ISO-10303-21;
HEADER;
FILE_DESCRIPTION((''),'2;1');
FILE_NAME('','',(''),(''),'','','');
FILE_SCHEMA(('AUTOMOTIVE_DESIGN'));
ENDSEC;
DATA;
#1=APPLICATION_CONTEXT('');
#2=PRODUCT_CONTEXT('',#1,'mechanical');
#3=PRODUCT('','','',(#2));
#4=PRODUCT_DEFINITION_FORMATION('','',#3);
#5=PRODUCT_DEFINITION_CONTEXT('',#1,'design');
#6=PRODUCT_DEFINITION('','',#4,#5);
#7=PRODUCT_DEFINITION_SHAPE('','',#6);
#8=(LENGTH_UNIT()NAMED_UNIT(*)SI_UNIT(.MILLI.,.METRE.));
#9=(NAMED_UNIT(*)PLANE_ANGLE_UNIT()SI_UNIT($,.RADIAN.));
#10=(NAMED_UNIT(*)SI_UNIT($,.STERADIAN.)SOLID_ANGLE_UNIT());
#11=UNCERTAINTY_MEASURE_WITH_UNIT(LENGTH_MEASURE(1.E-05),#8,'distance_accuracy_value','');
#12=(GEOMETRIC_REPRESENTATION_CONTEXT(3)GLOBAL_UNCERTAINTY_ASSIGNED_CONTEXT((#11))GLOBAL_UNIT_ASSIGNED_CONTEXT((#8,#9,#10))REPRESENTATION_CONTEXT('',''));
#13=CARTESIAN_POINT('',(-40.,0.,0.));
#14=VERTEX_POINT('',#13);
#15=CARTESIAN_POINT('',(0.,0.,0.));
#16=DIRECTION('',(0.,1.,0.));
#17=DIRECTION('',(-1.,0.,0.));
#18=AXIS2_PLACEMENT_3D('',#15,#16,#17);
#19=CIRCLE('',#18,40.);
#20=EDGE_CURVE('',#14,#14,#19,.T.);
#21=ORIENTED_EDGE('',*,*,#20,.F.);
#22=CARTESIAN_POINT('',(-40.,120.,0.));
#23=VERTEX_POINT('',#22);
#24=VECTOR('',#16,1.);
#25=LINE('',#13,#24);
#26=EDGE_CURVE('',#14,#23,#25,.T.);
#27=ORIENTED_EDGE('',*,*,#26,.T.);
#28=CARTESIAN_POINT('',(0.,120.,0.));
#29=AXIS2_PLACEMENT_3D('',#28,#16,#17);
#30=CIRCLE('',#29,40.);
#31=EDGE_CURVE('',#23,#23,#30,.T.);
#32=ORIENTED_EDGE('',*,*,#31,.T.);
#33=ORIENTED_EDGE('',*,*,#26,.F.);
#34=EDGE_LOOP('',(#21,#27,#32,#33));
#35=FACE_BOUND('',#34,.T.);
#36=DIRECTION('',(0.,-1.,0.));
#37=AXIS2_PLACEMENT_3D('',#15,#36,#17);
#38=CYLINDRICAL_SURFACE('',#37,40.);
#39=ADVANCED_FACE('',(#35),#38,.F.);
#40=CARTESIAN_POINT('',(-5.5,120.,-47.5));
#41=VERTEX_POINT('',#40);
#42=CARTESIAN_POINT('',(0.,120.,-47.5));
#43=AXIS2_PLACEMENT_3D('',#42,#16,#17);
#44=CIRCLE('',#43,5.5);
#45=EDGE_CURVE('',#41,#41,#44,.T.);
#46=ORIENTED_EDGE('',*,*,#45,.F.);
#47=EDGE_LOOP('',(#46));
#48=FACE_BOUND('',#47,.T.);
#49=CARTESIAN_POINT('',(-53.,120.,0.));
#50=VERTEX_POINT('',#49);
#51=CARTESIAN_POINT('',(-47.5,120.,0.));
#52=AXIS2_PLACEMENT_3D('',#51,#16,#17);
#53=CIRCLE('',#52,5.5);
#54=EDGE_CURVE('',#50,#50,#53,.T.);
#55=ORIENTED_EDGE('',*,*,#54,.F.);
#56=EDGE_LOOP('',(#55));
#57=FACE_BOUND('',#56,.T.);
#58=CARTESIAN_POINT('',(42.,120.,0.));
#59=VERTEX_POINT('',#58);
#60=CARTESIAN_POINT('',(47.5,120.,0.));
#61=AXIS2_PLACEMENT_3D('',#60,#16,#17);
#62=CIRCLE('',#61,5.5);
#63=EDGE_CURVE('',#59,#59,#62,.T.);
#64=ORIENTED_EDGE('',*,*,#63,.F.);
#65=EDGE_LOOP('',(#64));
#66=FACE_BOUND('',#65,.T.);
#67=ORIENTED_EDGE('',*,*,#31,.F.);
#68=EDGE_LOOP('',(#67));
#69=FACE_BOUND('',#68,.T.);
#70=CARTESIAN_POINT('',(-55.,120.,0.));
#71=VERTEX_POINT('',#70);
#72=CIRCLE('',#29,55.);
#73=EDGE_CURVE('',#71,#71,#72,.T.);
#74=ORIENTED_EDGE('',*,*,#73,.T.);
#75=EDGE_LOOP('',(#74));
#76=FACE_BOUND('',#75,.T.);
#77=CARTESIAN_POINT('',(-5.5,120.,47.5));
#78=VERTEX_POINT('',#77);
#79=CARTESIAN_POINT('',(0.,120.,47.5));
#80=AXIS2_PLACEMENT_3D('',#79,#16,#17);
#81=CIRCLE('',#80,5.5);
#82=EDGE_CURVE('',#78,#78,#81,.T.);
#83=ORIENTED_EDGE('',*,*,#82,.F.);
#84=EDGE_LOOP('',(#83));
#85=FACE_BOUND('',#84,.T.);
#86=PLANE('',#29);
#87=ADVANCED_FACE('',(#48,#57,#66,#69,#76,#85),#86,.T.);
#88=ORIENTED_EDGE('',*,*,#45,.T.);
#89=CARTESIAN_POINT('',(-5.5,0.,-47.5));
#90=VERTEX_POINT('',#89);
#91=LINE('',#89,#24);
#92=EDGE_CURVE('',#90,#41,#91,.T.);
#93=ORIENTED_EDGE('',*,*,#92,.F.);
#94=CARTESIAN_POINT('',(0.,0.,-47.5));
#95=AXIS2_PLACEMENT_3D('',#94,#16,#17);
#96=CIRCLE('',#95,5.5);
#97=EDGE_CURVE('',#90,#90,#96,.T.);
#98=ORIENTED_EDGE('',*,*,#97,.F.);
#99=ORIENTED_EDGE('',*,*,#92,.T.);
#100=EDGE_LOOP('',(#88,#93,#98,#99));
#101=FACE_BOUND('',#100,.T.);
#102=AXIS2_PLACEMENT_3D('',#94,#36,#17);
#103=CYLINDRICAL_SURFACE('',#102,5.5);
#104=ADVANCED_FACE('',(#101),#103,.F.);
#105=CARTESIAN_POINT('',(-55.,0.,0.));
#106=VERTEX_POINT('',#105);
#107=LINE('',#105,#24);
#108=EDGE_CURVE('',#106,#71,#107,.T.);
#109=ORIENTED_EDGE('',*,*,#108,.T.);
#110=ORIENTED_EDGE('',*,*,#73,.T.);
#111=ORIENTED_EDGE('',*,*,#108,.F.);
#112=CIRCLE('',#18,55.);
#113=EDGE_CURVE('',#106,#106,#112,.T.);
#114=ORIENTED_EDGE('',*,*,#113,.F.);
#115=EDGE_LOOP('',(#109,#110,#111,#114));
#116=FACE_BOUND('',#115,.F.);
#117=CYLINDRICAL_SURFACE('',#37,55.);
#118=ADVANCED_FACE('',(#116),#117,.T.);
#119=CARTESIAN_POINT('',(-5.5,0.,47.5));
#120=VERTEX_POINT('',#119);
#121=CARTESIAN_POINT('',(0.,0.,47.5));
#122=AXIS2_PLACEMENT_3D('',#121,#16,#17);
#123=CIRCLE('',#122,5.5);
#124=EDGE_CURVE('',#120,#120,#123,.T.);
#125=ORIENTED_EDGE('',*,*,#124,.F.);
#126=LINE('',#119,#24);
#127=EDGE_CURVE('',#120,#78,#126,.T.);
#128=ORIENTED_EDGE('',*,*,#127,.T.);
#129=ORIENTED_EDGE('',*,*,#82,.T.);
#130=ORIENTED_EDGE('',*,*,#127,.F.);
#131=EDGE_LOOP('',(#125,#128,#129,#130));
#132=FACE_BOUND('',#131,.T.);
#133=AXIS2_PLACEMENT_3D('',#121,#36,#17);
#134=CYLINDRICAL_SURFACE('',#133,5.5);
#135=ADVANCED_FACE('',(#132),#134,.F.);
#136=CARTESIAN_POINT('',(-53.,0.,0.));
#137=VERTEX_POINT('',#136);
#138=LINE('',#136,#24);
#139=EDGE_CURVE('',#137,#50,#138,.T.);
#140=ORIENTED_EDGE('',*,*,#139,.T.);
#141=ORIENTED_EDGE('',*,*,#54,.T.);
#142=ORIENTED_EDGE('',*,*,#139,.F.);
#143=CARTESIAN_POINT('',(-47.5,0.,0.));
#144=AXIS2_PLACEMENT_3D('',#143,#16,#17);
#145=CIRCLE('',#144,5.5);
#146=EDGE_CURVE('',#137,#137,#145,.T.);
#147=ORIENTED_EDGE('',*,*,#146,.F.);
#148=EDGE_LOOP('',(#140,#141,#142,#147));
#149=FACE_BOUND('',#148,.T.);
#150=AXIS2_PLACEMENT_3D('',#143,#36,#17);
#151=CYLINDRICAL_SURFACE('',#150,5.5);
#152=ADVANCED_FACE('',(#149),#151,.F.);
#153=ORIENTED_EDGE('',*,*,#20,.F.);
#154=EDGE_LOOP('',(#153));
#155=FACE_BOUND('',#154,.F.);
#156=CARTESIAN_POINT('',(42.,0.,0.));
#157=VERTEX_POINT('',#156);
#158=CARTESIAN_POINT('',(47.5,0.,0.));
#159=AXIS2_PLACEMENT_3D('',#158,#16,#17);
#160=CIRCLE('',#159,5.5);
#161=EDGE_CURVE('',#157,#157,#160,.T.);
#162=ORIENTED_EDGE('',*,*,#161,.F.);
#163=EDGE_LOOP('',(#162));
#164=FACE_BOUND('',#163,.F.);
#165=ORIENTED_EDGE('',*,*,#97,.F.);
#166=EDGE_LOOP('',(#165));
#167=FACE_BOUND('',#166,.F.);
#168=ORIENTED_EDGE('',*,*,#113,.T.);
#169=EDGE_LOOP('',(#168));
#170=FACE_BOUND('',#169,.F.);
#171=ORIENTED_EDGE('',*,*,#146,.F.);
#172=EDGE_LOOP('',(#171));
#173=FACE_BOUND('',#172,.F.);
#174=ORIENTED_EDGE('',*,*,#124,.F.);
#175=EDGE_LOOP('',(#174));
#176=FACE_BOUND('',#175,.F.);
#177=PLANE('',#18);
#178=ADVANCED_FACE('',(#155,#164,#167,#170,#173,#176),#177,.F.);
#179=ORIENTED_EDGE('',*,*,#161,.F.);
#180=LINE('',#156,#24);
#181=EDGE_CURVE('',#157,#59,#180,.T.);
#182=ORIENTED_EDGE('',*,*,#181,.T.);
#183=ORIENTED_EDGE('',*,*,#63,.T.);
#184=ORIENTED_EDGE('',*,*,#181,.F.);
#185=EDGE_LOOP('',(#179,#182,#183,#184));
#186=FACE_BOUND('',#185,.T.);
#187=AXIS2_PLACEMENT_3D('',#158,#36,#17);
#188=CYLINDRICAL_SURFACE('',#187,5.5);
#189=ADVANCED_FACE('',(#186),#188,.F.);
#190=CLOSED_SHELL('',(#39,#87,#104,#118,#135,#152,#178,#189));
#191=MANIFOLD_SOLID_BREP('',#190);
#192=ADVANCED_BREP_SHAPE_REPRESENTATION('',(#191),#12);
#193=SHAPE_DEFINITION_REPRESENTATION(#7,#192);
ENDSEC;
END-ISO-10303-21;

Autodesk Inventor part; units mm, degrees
ref_plane "YZ Plane" through (0, 0, 0) normal (1, 0, 0) x (0, 1, 0)
ref_plane "XZ Plane" through (0, 0, 0) normal (0, 1, 0) x (-1, 0, 0)
ref_plane "XY Plane" through (0, 0, 0) normal (0, 0, 1) x (1, 0, 0)
sketch "Sketch1" plane through (0, 0, 0) normal (0, 1, 0) x (-1, 0, 0)
  circle A0 centre (0, 0) radius 40
  circle A1 centre (0, 0) radius 55
  circle A2 centre (47.5, 0) radius 5.5
  circle A3 centre (0, -47.5) radius 5.5
  circle A4 centre (0, 47.5) radius 5.5
  circle A5 centre (-47.5, 0) radius 5.5
  dimension "d0" = 80
  dimension "d10" = 11
  dimension "d11" = 11
  dimension "d12" = 11
  dimension "d13" = 11
extrude "Extrusion1" add sketch "Sketch1" along normal blind 120
equation "\"BendRadius\" = Thickness"
equation "\"BendReliefWidth\" = Thickness"
equation "\"BendReliefDepth\" = 0.5 * Thickness"
equation "\"CornerReliefSize\" = 4 * Thickness"
equation "\"MinimumRemnant\" = 2 * Thickness"
equation "\"TransitionRadius\" = BendRadius"
equation "\"JacobiRadiusSize\" = BendRadius"
equation "\"GapSize\" = Thickness"
equation "\"Thickness\" = 0.5"
properties part number "cilindro"
